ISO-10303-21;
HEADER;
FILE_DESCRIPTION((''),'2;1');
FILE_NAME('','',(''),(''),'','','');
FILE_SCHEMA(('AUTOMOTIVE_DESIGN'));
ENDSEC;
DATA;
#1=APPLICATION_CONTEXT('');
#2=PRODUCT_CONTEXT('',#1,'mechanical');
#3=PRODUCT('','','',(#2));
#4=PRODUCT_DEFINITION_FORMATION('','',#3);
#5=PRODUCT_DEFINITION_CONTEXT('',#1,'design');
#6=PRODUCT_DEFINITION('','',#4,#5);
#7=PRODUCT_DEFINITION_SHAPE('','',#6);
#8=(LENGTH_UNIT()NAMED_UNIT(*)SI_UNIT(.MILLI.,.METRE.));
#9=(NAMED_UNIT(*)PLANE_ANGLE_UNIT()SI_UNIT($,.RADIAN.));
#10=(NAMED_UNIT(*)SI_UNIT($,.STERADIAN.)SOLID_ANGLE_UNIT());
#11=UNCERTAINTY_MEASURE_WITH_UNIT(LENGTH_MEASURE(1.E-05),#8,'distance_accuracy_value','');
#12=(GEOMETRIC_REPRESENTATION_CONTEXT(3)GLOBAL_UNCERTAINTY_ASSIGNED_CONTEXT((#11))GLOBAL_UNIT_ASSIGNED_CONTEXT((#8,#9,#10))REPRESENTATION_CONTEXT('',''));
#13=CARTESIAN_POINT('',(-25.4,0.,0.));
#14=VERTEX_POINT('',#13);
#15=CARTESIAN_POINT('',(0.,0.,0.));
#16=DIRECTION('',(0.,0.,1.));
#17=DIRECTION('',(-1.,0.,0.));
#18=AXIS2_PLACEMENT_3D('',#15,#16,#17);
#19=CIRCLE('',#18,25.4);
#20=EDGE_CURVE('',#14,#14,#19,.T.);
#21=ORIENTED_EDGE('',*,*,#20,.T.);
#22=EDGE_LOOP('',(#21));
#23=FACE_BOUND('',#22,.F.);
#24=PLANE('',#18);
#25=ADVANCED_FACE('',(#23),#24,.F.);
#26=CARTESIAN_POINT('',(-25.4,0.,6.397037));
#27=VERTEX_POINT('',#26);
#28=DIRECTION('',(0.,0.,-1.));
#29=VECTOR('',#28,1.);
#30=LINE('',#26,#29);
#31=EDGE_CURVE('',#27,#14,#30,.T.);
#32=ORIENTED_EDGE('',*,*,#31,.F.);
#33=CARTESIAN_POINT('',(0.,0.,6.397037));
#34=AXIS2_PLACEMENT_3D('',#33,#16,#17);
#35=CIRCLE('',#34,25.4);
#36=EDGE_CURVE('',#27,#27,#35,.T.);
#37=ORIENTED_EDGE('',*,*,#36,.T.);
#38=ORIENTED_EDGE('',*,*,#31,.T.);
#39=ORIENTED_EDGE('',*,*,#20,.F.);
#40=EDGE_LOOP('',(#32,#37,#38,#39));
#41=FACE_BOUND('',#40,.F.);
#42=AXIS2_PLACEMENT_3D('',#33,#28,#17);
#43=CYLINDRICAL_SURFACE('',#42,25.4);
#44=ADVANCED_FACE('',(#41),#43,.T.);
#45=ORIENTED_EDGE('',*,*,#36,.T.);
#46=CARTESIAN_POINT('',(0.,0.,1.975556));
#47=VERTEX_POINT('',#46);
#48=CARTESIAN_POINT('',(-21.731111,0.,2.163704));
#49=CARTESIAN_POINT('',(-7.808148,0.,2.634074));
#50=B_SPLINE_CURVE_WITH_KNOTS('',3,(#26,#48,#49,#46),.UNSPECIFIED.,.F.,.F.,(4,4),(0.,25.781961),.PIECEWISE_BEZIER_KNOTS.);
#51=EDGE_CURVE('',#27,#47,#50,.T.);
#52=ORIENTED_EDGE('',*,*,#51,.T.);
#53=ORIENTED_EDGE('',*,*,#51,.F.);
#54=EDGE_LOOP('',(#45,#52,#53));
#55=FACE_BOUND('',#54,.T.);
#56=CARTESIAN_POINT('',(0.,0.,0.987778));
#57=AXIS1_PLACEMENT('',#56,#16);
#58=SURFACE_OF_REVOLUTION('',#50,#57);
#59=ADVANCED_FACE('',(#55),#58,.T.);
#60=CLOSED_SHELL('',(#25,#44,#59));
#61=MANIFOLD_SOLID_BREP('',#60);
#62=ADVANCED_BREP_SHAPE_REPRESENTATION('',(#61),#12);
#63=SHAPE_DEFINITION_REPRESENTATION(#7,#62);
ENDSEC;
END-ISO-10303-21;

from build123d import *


with BuildPart() as f1:
    # F0 (on Front) → F1 (revolve)
    with BuildSketch(Plane.XZ):
        with BuildLine():
            Line((-25.4, 0), (0, 0))
            Line((0, 0), (0, 1.975556))
            add(Edge.make_bspline(
                [(-25.4, 6.397037), (-21.731111, 2.163704), (-7.808148, 2.634074), (0, 1.975556)],
                knots=[0, 0, 0, 0, 25.781961, 25.781961, 25.781961, 25.781961], degree=3))
            Line((-25.4, 6.397037), (-25.4, 0))
        make_face()
    revolve(axis=Axis((0, 0, 0.987778), (0, 0, 1)))


solid = f1.part
